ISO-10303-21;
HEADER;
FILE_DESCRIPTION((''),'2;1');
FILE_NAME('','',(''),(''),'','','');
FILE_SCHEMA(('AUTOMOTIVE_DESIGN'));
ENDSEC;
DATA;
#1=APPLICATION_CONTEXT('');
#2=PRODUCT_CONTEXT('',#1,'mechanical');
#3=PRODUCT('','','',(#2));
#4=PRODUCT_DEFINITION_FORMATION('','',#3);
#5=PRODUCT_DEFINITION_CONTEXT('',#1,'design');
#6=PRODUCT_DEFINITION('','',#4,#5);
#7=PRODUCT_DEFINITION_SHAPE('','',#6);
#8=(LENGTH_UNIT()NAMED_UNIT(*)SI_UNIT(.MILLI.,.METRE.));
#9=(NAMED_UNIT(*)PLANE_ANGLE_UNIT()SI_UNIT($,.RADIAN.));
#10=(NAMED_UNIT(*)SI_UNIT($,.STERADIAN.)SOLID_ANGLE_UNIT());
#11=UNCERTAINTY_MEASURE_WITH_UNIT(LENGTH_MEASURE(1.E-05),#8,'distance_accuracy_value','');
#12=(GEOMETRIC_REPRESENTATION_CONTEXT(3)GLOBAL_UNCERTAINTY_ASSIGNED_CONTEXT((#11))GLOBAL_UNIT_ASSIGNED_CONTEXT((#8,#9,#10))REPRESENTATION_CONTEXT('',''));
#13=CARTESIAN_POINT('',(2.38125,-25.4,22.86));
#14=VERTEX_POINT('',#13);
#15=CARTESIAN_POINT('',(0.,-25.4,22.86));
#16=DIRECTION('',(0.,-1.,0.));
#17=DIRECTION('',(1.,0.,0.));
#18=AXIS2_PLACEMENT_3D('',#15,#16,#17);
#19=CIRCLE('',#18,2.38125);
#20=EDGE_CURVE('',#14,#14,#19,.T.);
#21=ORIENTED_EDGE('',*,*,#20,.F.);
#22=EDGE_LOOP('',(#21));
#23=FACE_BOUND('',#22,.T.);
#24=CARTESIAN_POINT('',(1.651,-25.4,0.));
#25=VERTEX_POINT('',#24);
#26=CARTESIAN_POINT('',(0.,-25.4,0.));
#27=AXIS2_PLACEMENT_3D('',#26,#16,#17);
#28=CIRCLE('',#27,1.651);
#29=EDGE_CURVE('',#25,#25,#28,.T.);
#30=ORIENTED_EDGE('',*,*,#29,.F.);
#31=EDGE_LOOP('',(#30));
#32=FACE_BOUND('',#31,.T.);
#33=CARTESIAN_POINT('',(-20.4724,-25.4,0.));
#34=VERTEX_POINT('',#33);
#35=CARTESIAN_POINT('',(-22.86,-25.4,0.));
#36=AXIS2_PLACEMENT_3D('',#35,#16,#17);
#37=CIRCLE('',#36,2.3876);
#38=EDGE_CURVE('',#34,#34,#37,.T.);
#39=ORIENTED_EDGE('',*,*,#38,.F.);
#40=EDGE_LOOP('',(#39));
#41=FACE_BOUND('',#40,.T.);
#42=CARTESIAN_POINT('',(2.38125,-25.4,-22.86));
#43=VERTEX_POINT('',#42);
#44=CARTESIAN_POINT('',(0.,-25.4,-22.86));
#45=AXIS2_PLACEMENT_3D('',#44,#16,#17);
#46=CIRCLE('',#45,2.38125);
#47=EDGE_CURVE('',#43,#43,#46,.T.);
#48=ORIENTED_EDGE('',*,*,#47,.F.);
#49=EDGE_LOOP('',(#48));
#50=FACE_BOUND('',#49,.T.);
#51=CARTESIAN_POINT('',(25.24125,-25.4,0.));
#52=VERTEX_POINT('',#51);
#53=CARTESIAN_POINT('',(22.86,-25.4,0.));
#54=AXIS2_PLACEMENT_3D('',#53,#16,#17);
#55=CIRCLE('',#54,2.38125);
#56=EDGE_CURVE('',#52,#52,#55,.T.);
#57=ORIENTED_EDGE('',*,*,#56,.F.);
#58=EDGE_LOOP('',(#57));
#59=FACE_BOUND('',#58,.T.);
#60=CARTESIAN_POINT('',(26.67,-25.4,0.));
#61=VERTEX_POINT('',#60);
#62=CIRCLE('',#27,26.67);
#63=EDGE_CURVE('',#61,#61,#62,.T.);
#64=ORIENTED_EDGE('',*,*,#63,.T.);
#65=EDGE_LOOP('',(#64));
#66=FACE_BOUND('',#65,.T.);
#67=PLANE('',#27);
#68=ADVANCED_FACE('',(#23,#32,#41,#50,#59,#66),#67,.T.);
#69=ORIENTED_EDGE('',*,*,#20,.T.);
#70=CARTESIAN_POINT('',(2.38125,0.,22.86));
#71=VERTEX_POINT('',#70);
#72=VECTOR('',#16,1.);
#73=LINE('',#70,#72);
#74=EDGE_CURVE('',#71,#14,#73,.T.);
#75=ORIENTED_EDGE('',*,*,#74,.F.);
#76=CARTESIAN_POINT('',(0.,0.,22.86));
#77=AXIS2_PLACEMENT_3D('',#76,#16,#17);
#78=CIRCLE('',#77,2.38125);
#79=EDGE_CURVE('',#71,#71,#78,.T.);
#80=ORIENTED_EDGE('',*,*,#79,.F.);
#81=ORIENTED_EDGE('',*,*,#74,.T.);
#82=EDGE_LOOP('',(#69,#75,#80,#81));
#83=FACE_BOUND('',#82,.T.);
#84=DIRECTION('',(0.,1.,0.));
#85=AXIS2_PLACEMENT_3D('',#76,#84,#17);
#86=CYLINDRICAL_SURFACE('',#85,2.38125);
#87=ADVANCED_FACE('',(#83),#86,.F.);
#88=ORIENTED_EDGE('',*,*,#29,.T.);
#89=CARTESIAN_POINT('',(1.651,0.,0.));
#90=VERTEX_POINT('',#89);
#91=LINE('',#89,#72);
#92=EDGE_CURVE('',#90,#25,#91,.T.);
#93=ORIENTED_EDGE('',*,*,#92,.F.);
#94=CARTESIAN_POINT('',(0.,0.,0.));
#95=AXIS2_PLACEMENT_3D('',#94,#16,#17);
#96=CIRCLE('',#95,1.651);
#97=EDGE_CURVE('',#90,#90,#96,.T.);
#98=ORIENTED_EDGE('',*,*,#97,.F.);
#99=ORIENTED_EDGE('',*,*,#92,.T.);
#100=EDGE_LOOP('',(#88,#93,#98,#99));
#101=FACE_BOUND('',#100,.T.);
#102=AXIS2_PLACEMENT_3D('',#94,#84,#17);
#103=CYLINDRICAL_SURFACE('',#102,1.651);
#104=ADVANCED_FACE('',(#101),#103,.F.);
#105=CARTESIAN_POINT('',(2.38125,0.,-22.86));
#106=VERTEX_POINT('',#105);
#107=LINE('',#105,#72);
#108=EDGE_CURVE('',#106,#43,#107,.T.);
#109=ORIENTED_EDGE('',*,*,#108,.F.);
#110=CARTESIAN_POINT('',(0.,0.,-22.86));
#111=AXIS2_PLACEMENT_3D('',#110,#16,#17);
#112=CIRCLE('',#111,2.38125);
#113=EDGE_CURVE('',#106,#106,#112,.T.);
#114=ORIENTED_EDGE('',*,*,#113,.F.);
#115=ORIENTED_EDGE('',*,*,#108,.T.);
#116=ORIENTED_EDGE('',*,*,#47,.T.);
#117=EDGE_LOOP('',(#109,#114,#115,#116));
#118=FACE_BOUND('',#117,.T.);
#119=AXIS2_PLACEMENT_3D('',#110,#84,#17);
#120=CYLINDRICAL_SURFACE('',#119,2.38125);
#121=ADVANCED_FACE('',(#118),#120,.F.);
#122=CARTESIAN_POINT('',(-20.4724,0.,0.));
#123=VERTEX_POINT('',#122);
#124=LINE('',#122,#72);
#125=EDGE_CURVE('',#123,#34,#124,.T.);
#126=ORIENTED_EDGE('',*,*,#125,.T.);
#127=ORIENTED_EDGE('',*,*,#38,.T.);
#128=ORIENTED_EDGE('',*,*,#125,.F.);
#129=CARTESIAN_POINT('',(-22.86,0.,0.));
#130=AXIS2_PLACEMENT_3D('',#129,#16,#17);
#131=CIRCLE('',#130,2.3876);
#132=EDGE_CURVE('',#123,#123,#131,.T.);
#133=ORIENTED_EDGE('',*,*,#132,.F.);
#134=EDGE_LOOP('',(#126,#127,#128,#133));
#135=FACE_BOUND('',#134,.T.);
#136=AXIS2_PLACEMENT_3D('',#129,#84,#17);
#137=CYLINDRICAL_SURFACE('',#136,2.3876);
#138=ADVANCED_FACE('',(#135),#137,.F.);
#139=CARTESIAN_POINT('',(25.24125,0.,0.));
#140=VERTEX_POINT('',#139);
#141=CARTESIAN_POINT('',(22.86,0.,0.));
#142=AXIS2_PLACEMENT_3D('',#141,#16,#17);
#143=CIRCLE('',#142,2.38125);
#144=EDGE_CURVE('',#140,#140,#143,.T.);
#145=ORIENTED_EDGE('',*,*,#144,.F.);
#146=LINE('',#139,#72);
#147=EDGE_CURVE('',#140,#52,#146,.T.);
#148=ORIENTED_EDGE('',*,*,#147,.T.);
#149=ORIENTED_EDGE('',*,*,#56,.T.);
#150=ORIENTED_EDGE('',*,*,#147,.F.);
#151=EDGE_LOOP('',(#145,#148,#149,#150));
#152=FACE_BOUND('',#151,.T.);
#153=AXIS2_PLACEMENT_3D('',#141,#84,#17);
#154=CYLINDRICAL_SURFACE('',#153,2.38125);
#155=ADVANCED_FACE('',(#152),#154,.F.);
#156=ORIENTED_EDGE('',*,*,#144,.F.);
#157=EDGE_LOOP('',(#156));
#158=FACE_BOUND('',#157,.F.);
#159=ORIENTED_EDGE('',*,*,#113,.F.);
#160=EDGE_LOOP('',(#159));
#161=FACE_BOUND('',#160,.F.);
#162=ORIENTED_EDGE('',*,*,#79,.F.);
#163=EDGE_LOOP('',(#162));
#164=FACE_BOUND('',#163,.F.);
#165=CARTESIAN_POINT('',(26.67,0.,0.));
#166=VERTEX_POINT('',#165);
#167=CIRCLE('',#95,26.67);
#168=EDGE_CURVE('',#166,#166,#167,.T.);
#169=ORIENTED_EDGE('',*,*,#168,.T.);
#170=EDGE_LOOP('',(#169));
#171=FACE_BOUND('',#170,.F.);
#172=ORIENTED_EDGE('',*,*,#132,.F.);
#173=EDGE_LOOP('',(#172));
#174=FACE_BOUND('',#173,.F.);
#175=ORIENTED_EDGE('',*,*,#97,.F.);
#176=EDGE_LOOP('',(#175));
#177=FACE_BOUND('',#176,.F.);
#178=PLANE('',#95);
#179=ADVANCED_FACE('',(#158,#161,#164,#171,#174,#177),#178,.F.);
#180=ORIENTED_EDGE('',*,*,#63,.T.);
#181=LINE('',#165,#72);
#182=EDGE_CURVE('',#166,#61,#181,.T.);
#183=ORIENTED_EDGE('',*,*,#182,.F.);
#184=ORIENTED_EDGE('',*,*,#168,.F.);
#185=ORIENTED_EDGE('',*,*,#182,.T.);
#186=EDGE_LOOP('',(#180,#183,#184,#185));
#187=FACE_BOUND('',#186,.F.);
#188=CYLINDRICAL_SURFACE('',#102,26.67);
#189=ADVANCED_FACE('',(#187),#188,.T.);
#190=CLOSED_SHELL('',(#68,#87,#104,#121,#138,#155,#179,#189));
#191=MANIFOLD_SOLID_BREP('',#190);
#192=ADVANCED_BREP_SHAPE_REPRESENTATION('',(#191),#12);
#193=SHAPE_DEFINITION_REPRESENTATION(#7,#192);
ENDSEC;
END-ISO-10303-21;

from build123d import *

# Parameters (mm, degrees)
F0_R     = 26.67
F0_R_2   = 2.38125
F0_R_3   = 2.3876
F0_R_4   = 1.651
F1_DEPTH = 25.4


with BuildPart() as f1:
    # F0 (on Front) → F1 (new body)
    with BuildSketch(Plane.XZ):
        Circle(F0_R)
        with Locations((0, -22.86)):
            Circle(F0_R_2, mode=Mode.SUBTRACT)
        with Locations((-22.86, 0)):
            Circle(F0_R_3, mode=Mode.SUBTRACT)
        Circle(F0_R_4, mode=Mode.SUBTRACT)
        with Locations((22.86, 0)):
            Circle(F0_R_2, mode=Mode.SUBTRACT)
        with Locations((0, 22.86)):
            Circle(F0_R_2, mode=Mode.SUBTRACT)
    extrude(amount=F1_DEPTH)


solid = f1.part
